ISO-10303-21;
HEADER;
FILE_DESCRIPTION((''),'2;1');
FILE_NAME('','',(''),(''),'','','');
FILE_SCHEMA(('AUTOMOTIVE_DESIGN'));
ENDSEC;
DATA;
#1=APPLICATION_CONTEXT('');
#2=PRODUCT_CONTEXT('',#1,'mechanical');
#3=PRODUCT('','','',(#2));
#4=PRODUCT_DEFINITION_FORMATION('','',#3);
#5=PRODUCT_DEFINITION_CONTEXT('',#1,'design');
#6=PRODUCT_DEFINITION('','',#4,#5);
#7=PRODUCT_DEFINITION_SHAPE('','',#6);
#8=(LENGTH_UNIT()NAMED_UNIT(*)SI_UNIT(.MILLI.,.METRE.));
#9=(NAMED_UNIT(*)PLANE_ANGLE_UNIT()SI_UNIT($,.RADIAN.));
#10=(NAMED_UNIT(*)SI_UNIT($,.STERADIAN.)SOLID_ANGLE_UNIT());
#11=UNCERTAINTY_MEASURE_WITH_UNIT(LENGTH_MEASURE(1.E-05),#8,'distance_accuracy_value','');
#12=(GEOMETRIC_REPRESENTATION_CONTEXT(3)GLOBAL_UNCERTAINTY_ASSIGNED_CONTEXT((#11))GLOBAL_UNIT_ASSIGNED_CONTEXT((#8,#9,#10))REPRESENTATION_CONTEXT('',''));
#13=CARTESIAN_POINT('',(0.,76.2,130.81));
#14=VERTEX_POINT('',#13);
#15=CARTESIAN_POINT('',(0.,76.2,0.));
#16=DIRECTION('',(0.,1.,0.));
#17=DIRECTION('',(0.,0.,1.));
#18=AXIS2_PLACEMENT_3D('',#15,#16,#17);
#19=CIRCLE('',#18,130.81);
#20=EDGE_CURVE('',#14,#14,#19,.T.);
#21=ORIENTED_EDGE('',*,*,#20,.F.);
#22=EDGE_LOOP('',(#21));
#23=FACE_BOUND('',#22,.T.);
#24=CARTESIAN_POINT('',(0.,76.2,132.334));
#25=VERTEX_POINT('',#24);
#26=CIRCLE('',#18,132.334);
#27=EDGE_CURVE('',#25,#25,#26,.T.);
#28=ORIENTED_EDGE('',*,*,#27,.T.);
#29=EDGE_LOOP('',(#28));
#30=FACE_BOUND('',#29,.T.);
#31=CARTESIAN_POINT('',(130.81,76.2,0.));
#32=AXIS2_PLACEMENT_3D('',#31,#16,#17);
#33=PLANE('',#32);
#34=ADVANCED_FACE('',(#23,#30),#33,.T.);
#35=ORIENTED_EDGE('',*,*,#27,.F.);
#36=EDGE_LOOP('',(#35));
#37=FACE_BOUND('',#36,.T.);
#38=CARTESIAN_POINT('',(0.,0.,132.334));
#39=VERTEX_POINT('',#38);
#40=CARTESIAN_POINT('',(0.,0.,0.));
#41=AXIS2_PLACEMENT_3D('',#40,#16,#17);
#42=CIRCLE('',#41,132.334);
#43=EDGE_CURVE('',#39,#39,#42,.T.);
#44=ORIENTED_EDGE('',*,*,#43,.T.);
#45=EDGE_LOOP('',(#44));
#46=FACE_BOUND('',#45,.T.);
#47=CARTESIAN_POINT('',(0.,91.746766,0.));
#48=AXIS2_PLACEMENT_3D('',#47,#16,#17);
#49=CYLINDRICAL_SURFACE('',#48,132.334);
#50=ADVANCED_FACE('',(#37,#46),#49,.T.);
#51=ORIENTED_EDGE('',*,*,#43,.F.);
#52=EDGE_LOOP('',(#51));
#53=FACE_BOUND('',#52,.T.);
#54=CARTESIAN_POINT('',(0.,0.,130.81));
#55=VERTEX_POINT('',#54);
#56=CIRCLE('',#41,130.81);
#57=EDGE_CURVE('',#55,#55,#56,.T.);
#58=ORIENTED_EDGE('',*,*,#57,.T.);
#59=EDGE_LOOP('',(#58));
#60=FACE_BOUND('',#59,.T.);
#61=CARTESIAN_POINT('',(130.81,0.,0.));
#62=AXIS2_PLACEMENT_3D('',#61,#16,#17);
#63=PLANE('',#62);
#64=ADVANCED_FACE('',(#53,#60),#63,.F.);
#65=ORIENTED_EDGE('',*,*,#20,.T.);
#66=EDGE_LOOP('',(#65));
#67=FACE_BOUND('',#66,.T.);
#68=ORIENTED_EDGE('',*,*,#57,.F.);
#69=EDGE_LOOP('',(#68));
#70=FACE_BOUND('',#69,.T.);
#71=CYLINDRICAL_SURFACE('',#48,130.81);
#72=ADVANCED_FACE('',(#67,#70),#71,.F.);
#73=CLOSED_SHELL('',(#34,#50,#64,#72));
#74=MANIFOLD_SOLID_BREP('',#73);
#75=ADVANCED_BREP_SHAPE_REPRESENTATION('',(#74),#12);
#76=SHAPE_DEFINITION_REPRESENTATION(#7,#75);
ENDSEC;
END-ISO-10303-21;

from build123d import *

# Parameters (mm, degrees)
SKETCH1_W = 1.524
SKETCH1_H = 76.2


with BuildPart() as part:
    # Sketch1 → Revolve1 (revolve)
    with BuildSketch(Plane.XY, mode=Mode.PRIVATE) as revolve1_sk:
        with Locations((131.572, 38.1)):
            Rectangle(SKETCH1_W, SKETCH1_H)
    revolve(revolve1_sk.sketch.rotate(Axis((0, 91.746766452, 0), (0, -1, 0)), 90), axis=Axis((0, 91.746766452, 0), (0, -1, 0)))


solid = part.part
